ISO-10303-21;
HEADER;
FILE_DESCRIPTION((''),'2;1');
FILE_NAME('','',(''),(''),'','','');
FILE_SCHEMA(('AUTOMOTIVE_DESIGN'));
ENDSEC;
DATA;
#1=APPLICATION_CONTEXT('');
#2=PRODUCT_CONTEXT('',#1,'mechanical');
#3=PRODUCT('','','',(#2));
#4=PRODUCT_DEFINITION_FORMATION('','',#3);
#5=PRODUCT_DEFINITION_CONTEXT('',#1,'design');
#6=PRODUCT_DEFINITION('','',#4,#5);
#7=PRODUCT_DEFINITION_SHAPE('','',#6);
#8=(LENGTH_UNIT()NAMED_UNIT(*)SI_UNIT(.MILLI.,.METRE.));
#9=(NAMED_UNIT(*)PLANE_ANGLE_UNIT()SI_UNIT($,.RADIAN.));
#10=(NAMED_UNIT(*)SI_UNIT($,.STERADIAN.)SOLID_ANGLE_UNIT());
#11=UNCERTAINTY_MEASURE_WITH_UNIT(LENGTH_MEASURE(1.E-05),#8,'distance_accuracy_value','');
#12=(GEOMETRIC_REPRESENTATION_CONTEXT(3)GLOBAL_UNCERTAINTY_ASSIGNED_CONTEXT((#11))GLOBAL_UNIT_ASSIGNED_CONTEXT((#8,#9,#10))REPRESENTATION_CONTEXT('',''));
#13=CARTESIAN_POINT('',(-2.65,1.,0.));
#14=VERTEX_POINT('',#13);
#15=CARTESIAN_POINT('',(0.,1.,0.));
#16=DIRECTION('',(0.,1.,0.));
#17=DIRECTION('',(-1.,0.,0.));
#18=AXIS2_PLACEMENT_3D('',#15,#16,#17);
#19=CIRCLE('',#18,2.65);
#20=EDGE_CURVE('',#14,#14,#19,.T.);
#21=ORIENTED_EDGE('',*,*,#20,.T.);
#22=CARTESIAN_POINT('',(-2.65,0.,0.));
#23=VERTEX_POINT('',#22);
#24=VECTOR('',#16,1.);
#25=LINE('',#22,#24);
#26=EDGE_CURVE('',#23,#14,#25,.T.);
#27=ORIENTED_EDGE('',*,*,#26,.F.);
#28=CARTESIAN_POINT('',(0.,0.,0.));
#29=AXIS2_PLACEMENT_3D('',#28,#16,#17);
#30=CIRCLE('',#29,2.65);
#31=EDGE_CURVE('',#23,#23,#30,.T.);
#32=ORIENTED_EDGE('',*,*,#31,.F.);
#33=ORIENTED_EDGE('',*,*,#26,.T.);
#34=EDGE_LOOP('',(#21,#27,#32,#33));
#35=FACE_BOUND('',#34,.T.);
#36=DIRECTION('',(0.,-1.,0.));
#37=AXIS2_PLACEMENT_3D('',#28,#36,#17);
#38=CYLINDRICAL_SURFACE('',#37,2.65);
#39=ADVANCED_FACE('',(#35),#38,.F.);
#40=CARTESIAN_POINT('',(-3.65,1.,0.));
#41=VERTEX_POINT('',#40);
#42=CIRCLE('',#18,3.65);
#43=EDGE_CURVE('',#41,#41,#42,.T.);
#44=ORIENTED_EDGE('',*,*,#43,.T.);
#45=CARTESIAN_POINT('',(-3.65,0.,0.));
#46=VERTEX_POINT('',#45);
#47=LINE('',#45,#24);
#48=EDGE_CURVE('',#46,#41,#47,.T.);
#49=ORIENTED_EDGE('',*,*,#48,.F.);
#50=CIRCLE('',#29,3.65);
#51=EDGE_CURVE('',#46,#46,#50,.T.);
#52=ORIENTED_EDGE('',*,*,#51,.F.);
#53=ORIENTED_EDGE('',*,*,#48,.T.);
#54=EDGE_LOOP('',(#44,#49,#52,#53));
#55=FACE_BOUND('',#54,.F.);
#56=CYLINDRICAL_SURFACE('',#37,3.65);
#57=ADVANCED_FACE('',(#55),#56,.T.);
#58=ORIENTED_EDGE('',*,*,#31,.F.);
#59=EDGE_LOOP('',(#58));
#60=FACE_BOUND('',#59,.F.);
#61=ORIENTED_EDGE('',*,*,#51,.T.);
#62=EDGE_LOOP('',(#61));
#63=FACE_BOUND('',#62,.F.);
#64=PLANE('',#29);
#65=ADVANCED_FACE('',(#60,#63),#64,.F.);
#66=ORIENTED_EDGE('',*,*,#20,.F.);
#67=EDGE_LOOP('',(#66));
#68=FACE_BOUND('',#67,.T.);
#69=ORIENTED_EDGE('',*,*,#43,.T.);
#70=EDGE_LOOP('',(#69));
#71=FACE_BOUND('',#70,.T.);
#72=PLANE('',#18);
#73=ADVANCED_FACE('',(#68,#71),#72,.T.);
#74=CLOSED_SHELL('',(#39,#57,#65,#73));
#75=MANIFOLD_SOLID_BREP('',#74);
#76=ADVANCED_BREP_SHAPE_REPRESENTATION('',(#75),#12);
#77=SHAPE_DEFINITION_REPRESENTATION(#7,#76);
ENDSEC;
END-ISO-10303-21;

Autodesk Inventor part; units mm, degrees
ref_plane "YZ Plane" through (0, 0, 0) normal (1, 0, 0) x (0, 1, 0)
ref_plane "XZ Plane" through (0, 0, 0) normal (0, 1, 0) x (-1, 0, 0)
ref_plane "XY Plane" through (0, 0, 0) normal (0, 0, 1) x (1, 0, 0)
sketch "Sketch1" plane through (0, 0, 0) normal (0, 1, 0) x (-1, 0, 0)
  circle A0 centre (0, 0) radius 2.65
  circle A1 centre (0, 0) radius 3.65
  dimension "d0" = 5.3
  dimension "d1" = 1
extrude "Extrusion1" add sketch "Sketch1" along normal blind 1
properties part number "Arandela Soporte Poleas" material "PET Plastic"
